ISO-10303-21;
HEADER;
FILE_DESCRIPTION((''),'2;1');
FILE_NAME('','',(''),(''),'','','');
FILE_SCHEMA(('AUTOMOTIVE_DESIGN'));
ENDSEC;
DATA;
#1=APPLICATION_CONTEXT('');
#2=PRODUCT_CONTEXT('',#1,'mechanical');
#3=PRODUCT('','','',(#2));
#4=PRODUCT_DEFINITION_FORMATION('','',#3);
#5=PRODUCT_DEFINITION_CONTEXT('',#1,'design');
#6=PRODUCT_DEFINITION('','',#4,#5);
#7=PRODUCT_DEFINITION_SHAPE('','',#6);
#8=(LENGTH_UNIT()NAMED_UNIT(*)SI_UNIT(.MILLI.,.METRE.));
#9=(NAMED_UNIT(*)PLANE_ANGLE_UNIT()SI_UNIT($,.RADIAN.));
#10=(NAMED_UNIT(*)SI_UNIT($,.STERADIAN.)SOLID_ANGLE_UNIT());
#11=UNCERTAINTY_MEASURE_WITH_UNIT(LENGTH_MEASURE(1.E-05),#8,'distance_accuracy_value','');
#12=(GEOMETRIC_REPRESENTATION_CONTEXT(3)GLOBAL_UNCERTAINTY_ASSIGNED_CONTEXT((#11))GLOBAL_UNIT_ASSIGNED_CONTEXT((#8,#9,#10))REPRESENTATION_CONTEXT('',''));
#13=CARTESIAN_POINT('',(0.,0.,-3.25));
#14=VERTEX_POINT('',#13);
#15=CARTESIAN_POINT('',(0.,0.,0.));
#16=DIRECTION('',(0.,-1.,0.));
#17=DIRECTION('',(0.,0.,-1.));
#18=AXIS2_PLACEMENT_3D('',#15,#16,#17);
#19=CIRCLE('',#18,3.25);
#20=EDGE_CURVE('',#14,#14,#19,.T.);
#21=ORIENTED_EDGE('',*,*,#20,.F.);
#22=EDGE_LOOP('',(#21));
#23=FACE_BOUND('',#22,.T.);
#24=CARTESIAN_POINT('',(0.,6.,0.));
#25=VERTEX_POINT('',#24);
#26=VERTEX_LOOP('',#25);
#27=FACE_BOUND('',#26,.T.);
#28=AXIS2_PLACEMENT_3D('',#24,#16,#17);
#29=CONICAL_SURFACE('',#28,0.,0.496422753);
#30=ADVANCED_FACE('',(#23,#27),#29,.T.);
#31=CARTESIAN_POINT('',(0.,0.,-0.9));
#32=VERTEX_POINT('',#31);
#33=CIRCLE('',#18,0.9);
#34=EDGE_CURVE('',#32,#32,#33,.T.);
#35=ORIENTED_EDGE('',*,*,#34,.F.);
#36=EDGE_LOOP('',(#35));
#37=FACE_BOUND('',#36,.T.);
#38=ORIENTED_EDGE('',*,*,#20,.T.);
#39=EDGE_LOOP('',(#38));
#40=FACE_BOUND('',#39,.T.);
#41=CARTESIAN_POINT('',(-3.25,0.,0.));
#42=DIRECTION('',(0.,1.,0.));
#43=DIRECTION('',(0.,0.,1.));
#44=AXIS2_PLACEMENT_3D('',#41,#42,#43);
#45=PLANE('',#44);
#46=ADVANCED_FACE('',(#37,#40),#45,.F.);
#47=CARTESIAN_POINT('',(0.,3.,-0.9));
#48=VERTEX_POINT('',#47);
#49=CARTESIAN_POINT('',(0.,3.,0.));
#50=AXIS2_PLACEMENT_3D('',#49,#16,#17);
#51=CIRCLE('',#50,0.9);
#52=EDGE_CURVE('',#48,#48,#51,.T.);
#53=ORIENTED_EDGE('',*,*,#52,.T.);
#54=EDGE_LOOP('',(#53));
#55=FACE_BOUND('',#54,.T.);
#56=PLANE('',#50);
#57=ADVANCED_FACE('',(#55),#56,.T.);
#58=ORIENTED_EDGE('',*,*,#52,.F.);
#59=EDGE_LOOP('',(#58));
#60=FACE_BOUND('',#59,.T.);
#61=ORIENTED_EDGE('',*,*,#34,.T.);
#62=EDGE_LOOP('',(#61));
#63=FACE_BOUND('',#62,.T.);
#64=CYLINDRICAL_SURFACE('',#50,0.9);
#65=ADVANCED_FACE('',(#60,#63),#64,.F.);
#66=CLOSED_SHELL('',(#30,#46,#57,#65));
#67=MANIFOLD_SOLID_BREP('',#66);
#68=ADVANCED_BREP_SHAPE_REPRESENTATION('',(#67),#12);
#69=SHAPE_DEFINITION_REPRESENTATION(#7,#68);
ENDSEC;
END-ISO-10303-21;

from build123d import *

# Parameters (mm, degrees)
SKETCH_2_R          = 0.9
CUT_EXTRUDE_1_DEPTH = 3


with BuildPart() as part:
    # ｽｹｯﾁ1 → 回転1 (revolve)
    with BuildSketch(Plane.XY, mode=Mode.PRIVATE) as revolve_1_sk:
        Polygon((0, 0), (0, 6), (-3.25, 0), align=None)
    revolve(revolve_1_sk.sketch.rotate(Axis((0, 0, 0), (0, 1, 0)), 270), axis=Axis((0, 0, 0), (0, 1, 0)))

    # ｽｹｯﾁ2 → ｶｯﾄ - 押し出し1 (cut)
    with BuildSketch(Plane.XZ):
        with Locations(Location((0, 0, 0), (0, 0, 270))):
            Circle(SKETCH_2_R)
    extrude(amount=-CUT_EXTRUDE_1_DEPTH, mode=Mode.SUBTRACT)


solid = part.part
